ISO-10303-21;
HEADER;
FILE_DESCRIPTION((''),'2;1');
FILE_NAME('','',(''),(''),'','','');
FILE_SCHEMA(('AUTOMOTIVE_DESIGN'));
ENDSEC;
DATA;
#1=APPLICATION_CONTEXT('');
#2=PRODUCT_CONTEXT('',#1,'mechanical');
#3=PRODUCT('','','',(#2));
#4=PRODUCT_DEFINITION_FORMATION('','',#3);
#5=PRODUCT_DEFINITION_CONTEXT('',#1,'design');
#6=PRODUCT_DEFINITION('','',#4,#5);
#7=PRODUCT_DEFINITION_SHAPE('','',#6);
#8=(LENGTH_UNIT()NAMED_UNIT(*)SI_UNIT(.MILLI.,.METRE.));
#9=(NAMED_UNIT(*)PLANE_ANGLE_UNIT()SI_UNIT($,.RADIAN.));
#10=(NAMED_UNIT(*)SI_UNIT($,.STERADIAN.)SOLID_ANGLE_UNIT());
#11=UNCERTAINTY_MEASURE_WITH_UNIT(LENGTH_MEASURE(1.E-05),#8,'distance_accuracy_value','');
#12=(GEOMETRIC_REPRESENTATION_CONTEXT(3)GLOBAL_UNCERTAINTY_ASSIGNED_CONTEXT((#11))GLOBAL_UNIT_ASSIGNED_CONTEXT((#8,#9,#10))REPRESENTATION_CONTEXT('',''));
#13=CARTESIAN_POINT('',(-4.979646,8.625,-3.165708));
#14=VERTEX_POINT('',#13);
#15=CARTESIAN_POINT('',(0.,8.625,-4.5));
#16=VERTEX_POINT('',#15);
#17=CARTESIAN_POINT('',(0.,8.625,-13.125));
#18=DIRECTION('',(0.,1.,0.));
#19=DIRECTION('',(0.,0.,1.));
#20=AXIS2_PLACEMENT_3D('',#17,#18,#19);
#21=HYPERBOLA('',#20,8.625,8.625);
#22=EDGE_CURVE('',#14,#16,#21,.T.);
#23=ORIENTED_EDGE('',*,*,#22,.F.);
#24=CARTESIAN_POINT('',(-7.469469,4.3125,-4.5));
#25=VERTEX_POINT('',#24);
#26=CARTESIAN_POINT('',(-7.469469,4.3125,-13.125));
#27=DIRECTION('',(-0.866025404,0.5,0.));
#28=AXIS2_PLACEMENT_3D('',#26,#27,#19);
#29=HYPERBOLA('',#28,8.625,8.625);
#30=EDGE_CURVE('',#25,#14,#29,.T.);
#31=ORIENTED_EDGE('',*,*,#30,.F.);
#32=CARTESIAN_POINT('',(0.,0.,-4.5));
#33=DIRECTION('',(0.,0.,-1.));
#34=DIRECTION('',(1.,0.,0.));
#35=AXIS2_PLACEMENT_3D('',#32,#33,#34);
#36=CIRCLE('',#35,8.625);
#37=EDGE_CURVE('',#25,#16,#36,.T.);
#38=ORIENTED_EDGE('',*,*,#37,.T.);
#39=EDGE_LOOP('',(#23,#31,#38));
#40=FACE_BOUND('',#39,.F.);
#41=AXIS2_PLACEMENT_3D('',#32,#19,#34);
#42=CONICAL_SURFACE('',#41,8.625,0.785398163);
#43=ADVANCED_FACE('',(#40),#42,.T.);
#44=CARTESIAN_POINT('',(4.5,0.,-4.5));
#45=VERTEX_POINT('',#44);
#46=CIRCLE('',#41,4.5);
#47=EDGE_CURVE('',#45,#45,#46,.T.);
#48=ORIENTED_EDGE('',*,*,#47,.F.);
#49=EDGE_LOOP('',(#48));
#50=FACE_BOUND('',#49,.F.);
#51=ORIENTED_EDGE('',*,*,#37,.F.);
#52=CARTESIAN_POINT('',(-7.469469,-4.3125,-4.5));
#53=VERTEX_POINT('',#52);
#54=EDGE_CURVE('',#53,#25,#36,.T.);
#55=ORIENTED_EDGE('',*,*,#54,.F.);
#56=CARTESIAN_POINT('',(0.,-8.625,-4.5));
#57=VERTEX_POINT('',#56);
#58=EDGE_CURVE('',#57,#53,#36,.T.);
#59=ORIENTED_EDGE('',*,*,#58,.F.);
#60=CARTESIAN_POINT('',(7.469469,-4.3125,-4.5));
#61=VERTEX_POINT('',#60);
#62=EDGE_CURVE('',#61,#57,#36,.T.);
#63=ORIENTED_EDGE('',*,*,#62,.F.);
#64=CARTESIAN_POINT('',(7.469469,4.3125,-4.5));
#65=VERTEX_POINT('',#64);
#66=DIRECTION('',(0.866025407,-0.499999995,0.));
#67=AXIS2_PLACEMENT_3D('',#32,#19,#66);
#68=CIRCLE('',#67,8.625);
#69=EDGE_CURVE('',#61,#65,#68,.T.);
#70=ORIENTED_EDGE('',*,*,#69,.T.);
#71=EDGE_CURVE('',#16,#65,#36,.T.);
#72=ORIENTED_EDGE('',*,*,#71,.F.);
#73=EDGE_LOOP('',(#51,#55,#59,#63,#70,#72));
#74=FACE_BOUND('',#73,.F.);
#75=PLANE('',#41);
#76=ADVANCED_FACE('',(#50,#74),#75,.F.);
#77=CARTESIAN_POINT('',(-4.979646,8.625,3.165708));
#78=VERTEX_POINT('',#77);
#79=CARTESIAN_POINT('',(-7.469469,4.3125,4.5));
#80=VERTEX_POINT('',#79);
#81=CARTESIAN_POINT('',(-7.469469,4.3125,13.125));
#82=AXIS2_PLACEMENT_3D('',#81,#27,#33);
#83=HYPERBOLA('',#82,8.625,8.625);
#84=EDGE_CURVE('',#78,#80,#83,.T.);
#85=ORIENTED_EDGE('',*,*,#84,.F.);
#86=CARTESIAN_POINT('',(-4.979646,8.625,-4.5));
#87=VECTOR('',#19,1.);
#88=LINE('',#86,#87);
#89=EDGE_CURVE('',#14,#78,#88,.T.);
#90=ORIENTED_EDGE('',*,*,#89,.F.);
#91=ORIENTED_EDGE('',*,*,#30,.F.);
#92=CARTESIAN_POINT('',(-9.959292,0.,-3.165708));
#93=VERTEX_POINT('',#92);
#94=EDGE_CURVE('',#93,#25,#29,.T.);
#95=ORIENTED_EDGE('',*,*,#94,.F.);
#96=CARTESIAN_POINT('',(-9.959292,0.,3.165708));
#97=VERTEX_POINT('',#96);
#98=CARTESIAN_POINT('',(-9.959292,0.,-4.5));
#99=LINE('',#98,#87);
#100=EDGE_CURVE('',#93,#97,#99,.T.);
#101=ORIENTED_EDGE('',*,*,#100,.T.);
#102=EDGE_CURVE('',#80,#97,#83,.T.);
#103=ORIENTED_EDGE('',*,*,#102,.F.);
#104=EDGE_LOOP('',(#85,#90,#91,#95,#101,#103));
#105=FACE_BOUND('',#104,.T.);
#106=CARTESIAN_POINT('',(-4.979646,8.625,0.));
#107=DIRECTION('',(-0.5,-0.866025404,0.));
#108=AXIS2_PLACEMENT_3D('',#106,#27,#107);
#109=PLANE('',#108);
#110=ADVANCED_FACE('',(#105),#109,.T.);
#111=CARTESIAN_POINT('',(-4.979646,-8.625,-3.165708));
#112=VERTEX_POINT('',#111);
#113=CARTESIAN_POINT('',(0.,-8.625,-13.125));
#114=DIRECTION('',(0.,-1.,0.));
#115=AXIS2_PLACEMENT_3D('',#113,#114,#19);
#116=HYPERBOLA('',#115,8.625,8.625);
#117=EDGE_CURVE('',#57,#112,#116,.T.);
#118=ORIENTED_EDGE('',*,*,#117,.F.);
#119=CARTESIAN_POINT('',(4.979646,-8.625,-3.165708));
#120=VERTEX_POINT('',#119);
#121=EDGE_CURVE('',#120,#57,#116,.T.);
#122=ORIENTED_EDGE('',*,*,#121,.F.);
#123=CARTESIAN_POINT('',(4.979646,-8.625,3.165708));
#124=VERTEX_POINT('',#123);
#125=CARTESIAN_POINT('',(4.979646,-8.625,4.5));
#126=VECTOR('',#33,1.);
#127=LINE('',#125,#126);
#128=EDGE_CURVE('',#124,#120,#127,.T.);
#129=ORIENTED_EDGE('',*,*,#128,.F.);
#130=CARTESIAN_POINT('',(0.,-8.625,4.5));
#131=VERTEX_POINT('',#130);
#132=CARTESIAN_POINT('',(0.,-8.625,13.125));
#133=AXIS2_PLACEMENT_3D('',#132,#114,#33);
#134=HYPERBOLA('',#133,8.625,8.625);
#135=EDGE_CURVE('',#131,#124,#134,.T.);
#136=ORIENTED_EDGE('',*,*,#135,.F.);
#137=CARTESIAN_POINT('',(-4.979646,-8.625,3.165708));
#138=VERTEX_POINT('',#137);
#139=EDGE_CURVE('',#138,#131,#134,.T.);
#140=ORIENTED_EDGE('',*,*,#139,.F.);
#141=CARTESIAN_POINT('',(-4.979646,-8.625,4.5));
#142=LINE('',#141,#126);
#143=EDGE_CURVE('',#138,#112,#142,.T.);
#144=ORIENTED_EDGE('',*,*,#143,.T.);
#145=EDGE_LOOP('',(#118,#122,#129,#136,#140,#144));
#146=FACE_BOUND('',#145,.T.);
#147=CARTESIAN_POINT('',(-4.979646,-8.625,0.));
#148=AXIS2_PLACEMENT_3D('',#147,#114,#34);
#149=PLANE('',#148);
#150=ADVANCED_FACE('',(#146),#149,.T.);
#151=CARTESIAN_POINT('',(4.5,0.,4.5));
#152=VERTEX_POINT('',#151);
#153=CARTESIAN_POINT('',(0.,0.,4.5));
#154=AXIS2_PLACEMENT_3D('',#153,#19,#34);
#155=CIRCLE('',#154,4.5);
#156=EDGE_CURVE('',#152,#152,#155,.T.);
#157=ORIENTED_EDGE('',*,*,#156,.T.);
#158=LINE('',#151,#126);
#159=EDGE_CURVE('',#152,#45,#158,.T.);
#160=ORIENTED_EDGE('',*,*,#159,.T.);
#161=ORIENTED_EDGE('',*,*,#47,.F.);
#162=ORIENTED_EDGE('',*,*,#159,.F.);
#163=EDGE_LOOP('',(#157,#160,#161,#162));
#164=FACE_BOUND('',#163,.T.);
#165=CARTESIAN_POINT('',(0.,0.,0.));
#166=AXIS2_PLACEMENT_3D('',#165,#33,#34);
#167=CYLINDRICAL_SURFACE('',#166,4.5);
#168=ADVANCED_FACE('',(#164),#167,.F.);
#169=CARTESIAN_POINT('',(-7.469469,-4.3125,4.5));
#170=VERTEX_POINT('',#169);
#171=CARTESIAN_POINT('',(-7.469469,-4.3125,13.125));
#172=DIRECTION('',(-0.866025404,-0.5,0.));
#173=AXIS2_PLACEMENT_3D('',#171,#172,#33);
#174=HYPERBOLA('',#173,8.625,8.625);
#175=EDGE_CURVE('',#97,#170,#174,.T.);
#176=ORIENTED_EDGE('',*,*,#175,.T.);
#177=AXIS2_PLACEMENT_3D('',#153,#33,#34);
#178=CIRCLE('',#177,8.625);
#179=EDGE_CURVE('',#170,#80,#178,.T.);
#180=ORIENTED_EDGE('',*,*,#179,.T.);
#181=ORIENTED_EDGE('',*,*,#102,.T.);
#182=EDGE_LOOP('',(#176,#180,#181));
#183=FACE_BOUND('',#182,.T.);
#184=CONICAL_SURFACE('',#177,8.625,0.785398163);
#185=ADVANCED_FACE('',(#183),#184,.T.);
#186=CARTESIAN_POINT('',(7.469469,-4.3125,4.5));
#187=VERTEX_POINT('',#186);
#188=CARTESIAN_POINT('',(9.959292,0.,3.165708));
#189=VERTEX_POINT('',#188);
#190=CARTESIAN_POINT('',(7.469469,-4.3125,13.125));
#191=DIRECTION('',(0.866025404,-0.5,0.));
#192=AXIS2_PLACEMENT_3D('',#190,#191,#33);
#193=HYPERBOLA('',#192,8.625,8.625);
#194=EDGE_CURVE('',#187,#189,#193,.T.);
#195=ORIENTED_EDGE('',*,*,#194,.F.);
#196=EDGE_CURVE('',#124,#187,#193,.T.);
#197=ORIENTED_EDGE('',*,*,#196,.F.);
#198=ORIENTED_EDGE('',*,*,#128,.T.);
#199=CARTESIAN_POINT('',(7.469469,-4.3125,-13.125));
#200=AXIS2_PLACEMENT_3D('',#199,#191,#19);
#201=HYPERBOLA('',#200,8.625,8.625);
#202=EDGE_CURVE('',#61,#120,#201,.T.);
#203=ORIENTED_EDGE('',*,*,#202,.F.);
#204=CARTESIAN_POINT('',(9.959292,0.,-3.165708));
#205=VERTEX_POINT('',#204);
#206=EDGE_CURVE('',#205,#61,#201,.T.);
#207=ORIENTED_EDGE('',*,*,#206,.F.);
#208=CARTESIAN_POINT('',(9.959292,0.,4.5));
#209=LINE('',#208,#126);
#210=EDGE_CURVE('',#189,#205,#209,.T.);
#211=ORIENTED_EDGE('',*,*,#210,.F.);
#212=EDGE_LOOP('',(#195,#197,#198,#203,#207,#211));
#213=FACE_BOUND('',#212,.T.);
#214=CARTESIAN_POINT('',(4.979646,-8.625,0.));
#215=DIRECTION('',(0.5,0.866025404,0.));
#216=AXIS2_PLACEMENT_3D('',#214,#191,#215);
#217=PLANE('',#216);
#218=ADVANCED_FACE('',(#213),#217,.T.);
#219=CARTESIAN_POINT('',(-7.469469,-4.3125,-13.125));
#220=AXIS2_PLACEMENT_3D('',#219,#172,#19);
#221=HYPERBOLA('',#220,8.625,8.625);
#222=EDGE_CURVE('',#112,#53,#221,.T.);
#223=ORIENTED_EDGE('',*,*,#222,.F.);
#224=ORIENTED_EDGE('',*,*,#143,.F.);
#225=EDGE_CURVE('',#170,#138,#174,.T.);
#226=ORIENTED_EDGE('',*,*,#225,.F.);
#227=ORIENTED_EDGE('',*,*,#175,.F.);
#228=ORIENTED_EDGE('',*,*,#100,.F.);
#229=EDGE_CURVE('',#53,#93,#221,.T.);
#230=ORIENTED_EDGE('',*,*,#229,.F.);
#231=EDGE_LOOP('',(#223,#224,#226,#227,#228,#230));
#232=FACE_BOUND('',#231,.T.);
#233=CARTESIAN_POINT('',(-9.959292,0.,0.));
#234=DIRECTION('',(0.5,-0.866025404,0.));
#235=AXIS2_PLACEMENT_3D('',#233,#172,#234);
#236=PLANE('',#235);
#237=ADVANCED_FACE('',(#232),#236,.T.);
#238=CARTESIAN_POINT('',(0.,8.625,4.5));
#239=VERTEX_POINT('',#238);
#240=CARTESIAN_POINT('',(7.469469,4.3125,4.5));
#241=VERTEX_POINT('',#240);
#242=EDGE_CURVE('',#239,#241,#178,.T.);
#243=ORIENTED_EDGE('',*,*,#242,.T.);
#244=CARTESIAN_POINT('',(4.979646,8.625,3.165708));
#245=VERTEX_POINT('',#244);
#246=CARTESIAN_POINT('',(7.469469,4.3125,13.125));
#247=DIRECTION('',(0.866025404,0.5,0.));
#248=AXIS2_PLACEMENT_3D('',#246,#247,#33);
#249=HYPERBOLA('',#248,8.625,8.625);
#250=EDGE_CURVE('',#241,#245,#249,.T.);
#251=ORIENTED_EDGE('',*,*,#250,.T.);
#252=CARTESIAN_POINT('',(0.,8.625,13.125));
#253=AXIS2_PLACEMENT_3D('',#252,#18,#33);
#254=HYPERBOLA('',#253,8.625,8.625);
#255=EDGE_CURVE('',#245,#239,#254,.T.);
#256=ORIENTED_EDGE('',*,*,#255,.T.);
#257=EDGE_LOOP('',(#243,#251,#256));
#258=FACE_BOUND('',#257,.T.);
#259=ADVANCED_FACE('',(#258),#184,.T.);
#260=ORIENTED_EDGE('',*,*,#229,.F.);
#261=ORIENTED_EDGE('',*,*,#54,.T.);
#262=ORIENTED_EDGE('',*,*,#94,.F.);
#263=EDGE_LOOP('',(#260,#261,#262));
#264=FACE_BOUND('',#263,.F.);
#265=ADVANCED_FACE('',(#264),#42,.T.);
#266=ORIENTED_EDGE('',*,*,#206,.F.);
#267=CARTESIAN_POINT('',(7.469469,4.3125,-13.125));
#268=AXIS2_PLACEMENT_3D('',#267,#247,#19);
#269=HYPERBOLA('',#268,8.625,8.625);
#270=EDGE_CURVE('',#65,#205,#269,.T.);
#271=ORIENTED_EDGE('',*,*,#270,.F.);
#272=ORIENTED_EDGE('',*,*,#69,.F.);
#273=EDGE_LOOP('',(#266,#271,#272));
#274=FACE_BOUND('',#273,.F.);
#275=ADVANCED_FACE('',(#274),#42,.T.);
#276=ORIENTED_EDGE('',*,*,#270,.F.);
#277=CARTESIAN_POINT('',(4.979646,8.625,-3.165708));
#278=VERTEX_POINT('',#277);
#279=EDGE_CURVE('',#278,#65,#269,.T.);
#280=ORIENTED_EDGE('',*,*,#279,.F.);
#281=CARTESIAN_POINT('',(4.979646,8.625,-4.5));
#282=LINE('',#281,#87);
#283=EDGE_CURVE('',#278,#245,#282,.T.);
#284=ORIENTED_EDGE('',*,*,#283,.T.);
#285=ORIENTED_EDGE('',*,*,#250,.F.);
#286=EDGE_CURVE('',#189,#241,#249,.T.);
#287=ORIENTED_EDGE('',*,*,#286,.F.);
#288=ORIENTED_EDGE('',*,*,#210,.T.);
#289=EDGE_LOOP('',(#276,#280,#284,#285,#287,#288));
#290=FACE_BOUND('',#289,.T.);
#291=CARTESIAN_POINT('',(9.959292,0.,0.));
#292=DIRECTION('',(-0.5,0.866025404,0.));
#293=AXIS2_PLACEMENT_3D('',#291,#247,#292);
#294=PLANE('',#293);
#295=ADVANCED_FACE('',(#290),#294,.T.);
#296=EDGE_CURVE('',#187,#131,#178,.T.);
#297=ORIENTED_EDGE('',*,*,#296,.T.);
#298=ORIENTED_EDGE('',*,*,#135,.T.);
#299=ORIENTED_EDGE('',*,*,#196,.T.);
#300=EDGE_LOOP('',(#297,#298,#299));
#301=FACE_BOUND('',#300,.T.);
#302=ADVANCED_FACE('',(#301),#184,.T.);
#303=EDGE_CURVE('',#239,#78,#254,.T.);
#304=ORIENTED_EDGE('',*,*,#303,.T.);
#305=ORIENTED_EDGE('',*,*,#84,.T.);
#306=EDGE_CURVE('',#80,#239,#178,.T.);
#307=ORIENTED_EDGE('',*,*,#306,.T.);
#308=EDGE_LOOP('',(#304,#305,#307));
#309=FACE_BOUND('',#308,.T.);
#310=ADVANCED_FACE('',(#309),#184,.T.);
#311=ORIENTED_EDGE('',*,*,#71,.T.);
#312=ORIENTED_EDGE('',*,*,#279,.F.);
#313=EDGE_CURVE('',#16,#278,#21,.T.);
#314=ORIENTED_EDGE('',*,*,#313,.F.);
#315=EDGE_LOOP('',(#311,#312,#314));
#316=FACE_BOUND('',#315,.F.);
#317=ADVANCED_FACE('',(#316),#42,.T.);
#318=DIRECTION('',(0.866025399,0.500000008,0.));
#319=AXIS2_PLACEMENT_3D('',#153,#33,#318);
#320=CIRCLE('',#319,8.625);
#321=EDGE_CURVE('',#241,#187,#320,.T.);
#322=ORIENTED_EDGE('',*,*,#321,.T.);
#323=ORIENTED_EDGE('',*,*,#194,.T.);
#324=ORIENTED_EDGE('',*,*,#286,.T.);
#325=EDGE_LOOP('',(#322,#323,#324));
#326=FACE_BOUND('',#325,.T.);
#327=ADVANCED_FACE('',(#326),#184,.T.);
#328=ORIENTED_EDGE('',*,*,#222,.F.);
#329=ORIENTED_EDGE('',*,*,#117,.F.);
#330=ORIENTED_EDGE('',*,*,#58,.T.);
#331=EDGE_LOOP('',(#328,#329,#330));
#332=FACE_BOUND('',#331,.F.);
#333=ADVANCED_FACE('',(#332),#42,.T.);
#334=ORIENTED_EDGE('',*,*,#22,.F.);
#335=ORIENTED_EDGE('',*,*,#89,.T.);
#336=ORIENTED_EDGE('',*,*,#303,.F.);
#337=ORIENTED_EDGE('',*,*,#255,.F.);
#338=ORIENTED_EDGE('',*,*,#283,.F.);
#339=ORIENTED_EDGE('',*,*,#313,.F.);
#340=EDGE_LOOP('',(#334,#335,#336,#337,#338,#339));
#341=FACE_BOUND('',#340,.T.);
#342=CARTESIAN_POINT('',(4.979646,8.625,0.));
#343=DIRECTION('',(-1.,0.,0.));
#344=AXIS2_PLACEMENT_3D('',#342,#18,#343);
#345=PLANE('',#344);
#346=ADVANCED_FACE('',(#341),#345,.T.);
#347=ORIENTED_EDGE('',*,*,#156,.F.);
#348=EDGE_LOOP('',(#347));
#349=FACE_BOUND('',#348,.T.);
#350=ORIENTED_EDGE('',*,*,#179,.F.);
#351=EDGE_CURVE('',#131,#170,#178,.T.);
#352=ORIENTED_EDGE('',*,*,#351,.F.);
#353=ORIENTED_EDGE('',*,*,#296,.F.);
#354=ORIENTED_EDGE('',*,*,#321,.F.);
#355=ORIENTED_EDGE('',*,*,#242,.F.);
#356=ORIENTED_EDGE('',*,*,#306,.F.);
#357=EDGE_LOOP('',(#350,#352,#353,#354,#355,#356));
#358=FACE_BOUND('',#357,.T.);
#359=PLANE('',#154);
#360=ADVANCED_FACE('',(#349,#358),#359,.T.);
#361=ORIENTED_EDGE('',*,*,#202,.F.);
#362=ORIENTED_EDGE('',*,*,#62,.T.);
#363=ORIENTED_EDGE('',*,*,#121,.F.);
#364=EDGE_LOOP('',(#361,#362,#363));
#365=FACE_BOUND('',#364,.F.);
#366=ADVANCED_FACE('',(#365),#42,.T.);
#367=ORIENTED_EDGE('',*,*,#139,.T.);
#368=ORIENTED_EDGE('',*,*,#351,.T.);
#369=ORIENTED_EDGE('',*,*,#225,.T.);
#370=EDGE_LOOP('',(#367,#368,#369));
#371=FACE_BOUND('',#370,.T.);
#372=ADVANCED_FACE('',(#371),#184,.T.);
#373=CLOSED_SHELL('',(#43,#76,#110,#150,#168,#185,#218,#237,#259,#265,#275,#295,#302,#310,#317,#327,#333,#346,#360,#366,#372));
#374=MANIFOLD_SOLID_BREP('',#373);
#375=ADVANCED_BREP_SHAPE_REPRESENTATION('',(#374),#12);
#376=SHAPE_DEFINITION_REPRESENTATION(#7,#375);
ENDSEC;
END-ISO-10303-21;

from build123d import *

# Parameters (mm, degrees)
SKETCH4_R           = 4.5
BOSS_EXTRUDE2_DEPTH = 4.5
SKETCH5_OUTSIDE_W   = 45.486
SKETCH5_OUTSIDE_H   = 42.818
SKETCH5_OUTSIDE_R   = 8.625
CUT_EXTRUDE2_DEPTH  = 9
CUT_EXTRUDE2_TAPER  = 45


with BuildPart() as part:
    # Sketch4 → Boss-Extrude2 (new body, symmetric)
    with BuildSketch(Plane.XY):
        Polygon((9.959292144, 0), (4.979646072, 8.625), (-4.979646072, 8.625), (-9.959292144, 0), (-4.979646072, -8.625), (4.979646072, -8.625), align=None)
        Circle(SKETCH4_R, mode=Mode.SUBTRACT)
    extrude(amount=BOSS_EXTRUDE2_DEPTH, both=True)

    # Sketch5 outside → Cut-Extrude2 (cut)
    with BuildSketch(Plane.XY.offset(4.5)):
        Rectangle(SKETCH5_OUTSIDE_W, SKETCH5_OUTSIDE_H)
        Circle(SKETCH5_OUTSIDE_R, mode=Mode.SUBTRACT)
    cut_extrude2 = extrude(amount=-CUT_EXTRUDE2_DEPTH, taper=CUT_EXTRUDE2_TAPER, mode=Mode.SUBTRACT)

    # Mirror1: Cut-Extrude2 across plane
    add(cut_extrude2.mirror(Plane.XY), mode=Mode.SUBTRACT)


solid = part.part
